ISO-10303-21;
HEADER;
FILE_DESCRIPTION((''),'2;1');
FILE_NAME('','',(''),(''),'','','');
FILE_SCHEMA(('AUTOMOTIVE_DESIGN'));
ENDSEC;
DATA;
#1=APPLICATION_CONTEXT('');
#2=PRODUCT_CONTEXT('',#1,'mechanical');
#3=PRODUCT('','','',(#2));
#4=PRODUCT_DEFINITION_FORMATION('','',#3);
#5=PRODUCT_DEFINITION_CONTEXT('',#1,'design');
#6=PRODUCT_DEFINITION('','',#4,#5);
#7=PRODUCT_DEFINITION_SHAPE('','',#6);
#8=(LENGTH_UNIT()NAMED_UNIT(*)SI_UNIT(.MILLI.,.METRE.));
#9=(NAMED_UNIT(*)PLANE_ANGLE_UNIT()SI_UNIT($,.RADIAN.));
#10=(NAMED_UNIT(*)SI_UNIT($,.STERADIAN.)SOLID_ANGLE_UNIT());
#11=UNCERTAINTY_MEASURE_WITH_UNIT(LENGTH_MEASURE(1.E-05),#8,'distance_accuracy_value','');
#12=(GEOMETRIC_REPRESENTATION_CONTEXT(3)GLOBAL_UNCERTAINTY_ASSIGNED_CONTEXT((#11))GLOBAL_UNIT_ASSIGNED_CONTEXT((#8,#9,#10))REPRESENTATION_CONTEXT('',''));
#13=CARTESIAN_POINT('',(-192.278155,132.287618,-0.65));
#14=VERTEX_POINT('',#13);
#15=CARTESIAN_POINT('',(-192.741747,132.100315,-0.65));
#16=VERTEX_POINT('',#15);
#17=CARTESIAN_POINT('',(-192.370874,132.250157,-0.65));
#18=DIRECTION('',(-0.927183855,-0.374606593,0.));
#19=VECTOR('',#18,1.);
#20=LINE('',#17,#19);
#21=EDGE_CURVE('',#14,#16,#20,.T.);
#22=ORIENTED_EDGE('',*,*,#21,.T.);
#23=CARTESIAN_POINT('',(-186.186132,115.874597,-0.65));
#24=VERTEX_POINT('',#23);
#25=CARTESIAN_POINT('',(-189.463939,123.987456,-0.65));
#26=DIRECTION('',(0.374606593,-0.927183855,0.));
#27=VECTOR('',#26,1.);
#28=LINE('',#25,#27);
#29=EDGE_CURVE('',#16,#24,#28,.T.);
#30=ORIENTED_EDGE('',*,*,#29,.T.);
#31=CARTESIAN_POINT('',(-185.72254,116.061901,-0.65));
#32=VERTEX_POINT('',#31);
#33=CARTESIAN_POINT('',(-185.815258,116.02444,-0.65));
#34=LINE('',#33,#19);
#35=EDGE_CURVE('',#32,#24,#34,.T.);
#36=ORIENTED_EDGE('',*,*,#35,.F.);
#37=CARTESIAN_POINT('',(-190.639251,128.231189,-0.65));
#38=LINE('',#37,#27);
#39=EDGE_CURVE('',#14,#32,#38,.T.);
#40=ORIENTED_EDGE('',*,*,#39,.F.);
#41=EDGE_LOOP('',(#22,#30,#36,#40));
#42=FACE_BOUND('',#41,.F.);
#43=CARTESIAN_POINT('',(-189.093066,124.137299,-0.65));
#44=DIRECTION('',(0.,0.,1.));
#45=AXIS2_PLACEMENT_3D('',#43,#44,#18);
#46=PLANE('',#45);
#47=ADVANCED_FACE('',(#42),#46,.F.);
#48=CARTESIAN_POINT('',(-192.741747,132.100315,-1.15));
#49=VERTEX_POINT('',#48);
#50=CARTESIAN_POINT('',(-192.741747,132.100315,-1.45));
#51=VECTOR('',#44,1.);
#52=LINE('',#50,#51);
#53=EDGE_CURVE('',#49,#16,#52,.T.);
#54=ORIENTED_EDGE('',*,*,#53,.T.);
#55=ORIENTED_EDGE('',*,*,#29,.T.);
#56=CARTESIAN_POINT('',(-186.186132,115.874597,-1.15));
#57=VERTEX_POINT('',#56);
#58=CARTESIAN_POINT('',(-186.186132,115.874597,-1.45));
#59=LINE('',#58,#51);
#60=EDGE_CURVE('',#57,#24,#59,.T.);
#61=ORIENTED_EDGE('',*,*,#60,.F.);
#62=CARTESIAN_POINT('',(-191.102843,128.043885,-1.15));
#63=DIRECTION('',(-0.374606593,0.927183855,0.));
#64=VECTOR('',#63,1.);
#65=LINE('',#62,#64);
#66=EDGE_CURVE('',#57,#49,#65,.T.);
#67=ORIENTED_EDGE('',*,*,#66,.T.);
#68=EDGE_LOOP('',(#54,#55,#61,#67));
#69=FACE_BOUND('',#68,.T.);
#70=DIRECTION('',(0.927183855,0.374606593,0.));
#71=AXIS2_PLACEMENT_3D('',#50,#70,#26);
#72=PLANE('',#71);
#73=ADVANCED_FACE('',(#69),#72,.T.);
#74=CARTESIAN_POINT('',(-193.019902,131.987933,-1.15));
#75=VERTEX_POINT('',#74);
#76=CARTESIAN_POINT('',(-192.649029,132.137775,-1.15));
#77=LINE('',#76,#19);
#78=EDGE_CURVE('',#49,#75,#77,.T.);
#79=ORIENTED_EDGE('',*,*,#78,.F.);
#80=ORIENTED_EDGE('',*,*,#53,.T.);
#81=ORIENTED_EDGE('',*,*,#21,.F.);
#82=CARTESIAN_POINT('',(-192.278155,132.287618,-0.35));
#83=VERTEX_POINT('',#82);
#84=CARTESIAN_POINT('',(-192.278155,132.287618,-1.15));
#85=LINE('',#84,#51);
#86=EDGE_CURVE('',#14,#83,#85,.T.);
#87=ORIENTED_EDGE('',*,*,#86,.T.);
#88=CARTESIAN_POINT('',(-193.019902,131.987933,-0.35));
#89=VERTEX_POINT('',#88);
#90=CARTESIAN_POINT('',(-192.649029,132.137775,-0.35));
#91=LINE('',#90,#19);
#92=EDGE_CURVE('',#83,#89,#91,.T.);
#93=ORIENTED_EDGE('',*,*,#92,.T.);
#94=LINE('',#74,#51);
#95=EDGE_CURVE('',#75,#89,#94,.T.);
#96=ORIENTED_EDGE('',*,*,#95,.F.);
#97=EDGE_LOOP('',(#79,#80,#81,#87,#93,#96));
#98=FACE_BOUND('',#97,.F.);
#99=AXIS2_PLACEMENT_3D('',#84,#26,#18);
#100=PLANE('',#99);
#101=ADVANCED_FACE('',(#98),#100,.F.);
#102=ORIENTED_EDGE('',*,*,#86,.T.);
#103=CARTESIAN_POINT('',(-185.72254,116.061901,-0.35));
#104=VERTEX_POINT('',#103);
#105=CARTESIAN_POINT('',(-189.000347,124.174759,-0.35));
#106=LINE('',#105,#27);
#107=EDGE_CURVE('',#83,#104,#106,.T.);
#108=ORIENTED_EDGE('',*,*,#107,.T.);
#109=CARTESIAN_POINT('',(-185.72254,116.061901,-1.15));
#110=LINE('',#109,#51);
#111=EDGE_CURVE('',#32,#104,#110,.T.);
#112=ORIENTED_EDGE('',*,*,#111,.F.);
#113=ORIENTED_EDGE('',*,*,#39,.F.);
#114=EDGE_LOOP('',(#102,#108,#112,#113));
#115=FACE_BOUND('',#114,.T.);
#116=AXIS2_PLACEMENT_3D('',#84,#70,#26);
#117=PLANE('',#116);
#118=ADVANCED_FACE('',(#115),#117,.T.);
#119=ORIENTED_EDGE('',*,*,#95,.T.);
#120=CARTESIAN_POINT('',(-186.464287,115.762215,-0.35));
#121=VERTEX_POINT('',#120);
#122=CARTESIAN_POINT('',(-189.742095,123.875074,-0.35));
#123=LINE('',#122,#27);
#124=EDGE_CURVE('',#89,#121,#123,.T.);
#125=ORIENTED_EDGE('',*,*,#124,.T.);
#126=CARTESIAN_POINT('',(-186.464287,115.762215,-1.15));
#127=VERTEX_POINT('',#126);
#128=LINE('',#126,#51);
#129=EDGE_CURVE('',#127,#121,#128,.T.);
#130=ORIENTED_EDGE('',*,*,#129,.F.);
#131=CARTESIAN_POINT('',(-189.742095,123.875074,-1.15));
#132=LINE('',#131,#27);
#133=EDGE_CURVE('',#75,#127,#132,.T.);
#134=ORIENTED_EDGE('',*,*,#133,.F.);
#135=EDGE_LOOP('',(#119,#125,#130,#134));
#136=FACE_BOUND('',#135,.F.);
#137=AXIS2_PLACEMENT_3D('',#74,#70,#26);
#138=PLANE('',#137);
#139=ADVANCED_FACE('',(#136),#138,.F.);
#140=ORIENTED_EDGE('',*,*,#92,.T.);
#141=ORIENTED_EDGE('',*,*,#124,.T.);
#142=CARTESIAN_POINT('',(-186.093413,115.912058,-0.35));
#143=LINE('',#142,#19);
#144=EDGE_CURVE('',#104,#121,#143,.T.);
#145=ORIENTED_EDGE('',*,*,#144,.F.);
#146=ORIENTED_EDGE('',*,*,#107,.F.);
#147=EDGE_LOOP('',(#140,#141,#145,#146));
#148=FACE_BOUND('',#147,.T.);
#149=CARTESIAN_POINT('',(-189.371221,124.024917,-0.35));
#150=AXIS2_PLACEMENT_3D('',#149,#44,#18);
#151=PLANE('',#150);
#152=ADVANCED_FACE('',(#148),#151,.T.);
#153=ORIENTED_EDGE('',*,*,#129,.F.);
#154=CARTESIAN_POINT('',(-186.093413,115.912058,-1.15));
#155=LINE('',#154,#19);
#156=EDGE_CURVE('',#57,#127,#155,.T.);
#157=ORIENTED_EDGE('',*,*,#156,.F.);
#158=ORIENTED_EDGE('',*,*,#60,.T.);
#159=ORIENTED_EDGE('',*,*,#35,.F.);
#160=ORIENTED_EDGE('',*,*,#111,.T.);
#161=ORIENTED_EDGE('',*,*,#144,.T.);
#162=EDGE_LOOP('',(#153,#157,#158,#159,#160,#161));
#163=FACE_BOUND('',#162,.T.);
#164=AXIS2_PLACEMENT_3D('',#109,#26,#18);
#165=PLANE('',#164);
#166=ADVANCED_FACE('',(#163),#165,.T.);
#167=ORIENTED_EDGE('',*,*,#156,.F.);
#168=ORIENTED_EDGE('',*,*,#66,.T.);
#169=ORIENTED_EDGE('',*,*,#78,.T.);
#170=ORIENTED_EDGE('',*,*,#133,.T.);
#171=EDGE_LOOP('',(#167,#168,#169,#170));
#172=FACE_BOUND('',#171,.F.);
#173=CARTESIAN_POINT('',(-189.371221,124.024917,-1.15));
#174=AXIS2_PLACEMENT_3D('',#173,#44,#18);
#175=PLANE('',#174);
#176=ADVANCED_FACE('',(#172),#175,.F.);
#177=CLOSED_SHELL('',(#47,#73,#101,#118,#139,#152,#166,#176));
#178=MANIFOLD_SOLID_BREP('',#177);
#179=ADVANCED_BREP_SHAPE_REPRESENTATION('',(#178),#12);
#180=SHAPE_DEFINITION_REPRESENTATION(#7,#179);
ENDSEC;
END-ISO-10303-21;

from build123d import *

# Parameters (mm, degrees)
BOX169_W               = 0.8
BOX169_H               = 17.5
BOX169_DEPTH           = 0.8
BOX170_W               = 0.8
BOX170_H               = 17.5
BOX170_DEPTH           = 0.8
CUT088_PLACEMENT_ANGLE = 202


with BuildPart() as cubo169:
    # Box169 → Box169 (new body)
    with BuildSketch(Plane.XY):
        with Locations((0.4, 8.75)):
            Rectangle(BOX169_W, BOX169_H)
    extrude(amount=BOX169_DEPTH)


with BuildPart() as perfil_l_2da_cara030:
    # Box170 → Box170 (new body)
    with BuildSketch(Plane(origin=(0.3, 0, 0.3), x_dir=(1, 0, 0), z_dir=(0, 0, 1))):
        with Locations((0.4, 8.75)):
            Rectangle(BOX170_W, BOX170_H)
    extrude(amount=BOX170_DEPTH)

    # Cut088: cut Cubo169
    add(cubo169.part, mode=Mode.SUBTRACT)


with BuildPart() as perfil_l_2da_cara030_1:
    # Cut088 placement: moved
    add(perfil_l_2da_cara030.part.moved(Location((-192, 132.4, -1.45))).rotate(Axis((-192, 132.4, -1.45), (0, 0, 1)), CUT088_PLACEMENT_ANGLE))


solid = perfil_l_2da_cara030_1.part
